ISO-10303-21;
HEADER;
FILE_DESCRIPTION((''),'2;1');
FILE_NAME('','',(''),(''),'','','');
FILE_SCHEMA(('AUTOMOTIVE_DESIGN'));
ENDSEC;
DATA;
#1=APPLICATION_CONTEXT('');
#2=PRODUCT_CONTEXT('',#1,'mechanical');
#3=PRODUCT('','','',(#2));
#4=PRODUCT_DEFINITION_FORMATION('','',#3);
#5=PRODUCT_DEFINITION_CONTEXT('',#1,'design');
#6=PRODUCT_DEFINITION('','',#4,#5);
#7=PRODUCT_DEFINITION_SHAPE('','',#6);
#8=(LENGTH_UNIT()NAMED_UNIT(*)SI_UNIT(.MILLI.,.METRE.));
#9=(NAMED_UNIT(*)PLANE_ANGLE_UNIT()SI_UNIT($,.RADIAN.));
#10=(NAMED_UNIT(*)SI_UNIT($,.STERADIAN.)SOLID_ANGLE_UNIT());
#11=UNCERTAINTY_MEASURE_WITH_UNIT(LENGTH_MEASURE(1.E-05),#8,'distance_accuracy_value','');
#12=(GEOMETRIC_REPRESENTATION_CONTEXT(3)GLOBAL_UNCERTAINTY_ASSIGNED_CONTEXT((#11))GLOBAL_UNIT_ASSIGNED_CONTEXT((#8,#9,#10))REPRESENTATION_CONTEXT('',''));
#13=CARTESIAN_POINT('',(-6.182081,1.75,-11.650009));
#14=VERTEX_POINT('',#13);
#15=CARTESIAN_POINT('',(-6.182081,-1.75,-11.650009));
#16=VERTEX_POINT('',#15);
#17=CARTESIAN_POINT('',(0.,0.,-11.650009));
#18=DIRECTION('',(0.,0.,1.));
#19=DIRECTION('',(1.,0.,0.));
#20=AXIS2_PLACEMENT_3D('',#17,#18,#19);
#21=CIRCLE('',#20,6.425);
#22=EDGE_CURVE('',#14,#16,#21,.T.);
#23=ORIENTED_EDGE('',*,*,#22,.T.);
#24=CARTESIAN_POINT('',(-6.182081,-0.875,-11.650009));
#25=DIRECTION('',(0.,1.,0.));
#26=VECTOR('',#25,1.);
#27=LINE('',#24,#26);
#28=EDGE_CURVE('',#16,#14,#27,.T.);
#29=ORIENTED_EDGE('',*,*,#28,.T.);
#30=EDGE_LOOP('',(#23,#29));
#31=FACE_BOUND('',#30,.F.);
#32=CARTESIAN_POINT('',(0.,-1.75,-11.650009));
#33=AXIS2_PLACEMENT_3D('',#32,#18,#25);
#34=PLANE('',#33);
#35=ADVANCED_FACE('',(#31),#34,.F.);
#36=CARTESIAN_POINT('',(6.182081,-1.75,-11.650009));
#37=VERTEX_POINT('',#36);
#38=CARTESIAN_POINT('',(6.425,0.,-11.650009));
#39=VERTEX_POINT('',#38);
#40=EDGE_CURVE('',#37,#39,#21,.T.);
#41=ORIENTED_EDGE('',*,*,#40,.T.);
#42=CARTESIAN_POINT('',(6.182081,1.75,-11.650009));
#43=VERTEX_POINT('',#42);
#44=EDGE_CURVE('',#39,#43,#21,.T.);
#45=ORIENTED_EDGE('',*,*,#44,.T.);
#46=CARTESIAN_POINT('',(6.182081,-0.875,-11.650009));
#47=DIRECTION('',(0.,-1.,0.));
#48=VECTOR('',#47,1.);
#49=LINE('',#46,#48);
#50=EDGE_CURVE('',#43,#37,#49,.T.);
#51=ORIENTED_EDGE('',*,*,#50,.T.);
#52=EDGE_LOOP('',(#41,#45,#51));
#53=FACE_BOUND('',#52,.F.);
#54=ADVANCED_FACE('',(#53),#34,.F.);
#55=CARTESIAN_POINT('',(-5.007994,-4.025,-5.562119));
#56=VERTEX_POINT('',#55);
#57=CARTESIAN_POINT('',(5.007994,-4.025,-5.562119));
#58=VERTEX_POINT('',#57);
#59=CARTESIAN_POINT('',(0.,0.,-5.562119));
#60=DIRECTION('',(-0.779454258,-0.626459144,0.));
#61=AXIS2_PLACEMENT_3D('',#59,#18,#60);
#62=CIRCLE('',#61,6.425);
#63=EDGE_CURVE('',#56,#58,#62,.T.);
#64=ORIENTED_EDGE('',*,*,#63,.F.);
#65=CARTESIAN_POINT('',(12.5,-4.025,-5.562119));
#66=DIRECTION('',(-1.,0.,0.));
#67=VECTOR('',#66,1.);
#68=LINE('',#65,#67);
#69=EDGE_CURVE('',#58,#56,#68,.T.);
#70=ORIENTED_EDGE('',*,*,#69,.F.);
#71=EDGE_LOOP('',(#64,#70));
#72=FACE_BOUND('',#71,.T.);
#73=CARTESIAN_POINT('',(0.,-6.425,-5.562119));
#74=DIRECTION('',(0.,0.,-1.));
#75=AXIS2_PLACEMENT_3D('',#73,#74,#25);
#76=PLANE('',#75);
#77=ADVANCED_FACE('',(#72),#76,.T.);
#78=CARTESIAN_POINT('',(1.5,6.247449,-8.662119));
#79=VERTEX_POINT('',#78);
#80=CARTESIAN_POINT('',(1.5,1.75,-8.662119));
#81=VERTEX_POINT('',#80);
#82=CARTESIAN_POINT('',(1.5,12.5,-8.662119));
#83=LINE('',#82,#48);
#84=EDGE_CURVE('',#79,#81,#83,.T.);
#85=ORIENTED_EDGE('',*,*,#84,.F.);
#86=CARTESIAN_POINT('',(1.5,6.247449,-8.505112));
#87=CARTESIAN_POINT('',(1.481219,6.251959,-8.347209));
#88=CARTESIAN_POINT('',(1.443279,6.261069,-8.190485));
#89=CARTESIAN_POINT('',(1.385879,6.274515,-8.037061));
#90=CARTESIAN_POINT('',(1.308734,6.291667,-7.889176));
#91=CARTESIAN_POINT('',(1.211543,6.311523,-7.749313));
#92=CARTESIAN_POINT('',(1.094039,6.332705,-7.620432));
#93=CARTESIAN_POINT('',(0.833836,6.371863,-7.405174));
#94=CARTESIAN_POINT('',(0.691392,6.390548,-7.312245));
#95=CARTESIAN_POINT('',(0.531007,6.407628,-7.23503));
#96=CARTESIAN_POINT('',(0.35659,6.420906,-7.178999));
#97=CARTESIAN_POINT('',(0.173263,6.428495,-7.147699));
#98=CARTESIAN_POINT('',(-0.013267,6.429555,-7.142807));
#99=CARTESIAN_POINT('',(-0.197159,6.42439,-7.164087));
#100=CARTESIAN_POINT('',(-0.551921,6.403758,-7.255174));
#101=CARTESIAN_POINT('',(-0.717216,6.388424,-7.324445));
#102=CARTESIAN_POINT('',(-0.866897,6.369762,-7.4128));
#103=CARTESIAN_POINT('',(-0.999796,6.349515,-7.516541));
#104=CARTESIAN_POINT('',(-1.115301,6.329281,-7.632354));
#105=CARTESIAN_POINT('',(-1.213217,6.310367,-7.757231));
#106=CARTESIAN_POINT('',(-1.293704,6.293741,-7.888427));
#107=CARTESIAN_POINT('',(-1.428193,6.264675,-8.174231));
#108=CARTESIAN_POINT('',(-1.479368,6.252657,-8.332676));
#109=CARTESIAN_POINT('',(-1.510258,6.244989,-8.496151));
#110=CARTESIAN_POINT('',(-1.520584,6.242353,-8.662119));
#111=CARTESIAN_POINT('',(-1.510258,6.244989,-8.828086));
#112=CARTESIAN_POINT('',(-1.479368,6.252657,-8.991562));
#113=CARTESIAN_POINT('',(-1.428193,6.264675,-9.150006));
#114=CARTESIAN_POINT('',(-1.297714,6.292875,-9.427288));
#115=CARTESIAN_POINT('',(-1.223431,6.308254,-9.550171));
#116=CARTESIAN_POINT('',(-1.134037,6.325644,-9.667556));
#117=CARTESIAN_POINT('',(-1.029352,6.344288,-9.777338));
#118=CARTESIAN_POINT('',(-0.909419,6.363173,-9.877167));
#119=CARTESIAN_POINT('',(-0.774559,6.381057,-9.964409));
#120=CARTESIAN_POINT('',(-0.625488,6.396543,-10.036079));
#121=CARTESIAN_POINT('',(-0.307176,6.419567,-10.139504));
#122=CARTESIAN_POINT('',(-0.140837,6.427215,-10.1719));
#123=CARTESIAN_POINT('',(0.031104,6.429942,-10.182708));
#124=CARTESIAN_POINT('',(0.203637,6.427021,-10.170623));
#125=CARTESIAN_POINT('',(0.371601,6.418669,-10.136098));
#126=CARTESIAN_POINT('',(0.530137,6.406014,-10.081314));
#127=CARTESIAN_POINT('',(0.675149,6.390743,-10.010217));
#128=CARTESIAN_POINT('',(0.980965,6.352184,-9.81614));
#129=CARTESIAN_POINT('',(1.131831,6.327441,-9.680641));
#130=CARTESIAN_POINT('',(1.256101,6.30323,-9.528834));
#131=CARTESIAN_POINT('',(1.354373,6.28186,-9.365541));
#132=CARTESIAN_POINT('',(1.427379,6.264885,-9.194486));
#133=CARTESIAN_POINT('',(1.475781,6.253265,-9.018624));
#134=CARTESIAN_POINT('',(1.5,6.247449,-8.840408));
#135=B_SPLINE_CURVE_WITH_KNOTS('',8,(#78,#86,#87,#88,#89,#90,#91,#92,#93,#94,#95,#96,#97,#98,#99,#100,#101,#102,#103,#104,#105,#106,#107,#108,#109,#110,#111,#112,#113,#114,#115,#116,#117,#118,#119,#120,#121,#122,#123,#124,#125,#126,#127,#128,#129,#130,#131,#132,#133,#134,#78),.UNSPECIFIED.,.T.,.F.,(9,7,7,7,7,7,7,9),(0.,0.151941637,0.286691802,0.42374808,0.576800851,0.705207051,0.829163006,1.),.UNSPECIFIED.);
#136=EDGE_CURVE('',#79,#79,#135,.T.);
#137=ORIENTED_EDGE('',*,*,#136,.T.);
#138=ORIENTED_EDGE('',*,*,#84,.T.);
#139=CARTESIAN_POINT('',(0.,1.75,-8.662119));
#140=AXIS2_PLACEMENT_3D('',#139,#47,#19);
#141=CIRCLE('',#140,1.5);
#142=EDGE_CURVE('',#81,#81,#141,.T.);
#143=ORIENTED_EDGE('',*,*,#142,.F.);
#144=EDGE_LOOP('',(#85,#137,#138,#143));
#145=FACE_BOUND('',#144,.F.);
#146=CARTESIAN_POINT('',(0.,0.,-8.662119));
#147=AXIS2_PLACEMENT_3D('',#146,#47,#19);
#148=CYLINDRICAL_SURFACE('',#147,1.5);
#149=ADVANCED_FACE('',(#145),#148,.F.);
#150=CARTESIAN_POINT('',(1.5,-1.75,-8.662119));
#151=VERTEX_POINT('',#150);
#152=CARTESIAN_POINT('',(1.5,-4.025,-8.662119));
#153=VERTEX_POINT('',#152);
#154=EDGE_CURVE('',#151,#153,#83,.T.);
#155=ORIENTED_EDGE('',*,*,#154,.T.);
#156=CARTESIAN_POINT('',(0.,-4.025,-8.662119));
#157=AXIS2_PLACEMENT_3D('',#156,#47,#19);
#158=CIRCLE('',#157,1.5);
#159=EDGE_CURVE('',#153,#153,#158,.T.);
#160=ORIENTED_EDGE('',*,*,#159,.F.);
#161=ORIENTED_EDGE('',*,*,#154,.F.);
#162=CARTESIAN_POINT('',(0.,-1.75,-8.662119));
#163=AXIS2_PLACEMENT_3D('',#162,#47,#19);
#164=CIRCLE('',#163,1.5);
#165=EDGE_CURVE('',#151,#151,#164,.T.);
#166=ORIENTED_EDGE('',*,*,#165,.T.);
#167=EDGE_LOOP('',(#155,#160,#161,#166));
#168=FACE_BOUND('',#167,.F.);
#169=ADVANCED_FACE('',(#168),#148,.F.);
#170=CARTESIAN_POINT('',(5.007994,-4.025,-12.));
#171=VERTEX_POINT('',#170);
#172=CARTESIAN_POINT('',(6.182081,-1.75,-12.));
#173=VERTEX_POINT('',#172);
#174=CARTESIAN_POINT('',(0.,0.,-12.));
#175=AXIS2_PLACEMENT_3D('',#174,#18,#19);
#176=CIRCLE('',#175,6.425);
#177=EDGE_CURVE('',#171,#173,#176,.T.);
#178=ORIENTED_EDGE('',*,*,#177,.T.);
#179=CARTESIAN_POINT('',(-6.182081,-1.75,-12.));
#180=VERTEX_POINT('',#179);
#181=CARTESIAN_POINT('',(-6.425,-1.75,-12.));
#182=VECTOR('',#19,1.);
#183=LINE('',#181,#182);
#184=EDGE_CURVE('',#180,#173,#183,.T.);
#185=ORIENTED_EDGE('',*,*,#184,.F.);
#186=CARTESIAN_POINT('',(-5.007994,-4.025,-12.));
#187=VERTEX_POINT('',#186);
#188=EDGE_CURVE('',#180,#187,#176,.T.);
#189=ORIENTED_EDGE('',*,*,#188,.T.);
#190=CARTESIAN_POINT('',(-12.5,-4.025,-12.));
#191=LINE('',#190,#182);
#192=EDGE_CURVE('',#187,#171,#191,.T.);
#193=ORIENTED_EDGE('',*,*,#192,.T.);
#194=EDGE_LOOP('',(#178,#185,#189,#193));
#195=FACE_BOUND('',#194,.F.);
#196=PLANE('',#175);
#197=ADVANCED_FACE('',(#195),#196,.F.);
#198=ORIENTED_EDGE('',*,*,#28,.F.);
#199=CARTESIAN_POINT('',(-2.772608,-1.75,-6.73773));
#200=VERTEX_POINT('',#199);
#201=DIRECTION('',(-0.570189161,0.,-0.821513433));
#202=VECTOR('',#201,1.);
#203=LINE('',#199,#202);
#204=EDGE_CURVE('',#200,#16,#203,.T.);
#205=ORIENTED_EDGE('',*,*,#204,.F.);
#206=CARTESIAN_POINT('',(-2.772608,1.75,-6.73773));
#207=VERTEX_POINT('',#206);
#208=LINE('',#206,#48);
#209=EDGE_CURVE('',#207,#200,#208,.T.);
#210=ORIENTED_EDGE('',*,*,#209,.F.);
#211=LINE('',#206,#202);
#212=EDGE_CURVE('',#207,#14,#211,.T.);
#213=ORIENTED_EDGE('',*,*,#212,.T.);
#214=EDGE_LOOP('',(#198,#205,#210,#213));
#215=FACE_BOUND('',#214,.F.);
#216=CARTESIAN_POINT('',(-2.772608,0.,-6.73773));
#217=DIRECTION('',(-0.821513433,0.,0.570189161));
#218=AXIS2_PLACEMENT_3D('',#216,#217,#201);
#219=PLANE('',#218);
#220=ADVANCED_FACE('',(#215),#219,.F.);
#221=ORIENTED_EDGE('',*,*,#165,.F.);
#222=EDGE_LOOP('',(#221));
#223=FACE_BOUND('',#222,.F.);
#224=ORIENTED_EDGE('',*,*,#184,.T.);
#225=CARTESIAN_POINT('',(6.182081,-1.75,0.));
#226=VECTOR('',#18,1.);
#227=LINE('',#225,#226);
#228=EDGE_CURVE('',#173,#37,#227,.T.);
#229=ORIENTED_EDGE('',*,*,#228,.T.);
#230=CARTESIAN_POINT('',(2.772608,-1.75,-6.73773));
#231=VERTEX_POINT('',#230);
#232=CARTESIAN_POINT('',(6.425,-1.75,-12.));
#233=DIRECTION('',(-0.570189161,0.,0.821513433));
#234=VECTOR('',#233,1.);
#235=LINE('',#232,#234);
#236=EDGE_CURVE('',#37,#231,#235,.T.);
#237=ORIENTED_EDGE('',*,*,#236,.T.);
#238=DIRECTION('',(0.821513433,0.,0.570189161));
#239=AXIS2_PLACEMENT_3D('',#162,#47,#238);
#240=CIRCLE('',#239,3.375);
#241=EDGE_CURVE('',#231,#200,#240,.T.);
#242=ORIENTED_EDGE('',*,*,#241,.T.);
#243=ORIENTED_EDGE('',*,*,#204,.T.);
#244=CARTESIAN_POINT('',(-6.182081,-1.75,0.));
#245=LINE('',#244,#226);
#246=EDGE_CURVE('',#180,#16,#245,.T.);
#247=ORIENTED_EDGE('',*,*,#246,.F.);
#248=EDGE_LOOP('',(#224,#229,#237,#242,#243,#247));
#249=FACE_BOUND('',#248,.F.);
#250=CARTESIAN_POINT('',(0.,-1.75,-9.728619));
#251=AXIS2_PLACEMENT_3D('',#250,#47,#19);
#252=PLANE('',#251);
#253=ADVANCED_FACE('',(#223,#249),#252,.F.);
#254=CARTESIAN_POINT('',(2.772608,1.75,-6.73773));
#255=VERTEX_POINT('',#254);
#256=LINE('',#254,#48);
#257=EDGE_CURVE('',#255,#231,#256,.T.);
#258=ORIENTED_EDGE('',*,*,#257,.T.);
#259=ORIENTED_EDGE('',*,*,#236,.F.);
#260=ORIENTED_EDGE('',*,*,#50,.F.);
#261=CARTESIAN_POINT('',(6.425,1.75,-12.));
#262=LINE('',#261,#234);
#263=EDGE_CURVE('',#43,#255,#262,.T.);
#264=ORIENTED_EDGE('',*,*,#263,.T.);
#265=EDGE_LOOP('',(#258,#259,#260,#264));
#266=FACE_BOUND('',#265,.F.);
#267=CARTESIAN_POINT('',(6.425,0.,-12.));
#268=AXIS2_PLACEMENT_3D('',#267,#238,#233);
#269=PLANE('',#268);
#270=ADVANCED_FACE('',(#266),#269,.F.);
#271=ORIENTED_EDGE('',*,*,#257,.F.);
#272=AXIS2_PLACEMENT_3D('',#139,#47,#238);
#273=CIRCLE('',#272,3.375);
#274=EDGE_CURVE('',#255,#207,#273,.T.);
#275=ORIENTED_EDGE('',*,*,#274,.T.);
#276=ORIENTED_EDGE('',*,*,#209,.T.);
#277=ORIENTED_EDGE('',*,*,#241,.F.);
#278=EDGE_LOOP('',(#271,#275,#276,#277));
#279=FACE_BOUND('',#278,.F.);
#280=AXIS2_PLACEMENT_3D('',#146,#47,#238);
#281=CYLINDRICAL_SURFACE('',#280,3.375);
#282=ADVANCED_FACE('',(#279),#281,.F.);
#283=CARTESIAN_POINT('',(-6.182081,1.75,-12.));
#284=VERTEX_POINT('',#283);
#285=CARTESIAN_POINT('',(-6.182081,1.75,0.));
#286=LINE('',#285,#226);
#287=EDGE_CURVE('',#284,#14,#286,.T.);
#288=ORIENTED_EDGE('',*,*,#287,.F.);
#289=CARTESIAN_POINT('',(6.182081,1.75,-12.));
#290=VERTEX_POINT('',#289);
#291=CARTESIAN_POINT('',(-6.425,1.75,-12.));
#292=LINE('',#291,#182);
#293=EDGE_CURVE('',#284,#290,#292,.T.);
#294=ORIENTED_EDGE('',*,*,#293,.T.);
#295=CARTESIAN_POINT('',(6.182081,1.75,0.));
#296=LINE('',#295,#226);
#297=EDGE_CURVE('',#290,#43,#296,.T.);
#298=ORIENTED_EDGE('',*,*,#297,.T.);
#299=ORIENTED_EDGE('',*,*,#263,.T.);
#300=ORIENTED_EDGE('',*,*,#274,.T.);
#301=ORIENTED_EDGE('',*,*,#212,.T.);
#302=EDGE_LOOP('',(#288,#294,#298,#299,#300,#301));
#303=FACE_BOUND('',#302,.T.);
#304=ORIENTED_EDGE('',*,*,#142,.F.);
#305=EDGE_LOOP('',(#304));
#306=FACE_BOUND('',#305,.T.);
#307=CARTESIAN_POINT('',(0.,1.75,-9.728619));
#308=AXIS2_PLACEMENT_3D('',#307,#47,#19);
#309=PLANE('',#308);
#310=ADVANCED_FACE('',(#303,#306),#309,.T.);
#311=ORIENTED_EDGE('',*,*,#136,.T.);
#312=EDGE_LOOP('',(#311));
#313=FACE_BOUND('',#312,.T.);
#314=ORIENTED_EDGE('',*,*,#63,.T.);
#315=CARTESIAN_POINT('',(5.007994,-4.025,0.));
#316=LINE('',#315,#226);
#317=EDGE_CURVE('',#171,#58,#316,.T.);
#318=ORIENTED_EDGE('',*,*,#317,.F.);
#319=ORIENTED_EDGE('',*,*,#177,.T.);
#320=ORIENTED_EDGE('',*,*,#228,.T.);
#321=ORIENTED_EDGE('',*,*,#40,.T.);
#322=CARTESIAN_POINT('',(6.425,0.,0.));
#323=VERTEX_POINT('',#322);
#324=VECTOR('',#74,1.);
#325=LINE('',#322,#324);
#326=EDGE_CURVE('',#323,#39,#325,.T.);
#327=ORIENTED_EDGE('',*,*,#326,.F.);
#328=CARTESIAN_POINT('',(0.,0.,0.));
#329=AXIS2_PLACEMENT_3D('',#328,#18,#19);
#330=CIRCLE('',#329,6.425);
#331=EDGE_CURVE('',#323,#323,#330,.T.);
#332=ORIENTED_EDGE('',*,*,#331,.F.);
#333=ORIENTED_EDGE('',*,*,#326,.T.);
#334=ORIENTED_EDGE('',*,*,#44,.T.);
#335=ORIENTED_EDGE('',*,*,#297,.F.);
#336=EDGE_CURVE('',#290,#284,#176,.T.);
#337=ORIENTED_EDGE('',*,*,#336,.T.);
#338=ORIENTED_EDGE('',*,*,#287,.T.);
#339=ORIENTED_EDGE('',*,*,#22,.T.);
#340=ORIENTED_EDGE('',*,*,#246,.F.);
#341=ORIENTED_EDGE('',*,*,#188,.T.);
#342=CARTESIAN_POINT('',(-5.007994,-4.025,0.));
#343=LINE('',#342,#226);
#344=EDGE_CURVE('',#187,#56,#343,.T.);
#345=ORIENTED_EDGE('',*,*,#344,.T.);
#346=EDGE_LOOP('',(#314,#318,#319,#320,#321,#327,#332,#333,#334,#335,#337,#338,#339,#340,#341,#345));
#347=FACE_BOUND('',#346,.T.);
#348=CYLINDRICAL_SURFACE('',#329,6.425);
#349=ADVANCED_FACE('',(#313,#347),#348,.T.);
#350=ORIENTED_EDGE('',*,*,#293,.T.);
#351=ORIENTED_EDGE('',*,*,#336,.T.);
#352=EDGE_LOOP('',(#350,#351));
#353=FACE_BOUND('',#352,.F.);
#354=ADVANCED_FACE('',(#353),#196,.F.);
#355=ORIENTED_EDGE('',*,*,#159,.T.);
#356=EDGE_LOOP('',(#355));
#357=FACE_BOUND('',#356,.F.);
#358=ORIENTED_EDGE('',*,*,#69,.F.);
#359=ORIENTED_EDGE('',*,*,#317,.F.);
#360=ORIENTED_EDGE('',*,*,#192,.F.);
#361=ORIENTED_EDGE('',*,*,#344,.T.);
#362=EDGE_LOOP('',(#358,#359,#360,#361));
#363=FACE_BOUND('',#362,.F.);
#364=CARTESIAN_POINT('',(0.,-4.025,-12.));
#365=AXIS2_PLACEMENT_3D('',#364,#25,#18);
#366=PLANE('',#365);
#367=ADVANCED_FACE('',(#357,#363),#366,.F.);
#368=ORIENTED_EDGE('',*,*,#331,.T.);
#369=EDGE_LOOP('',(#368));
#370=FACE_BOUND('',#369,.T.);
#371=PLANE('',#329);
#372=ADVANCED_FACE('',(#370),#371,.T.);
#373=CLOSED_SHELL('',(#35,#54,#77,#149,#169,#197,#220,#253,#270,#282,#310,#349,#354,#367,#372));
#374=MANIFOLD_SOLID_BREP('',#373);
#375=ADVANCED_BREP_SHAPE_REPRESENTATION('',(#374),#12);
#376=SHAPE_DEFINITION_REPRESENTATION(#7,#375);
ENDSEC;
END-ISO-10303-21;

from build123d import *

# Parameters (mm, degrees)
F0_R     = 6.425
F1_DEPTH = 12
F2_R     = 1.5
F3_DEPTH = 12.5
F5_DEPTH = 1.75
F6_W     = 3.5
F6_H     = 0.3499913151
F6_W_2   = 2.4
F6_H_2   = 1.6
F6_H_3   = 3
F6_H_4   = 1.8378814235
F7_DEPTH = 12.5


with BuildPart() as f1:
    # F0 (on Top) → F1 (new body)
    with BuildSketch(Plane.XY):
        Circle(F0_R)
    extrude(amount=-F1_DEPTH)

    # F2 (on Front) → F3 (cut, symmetric)
    with BuildSketch(Plane.XZ):
        with Locations((0, -8.6621185765)):
            Circle(F2_R)
    extrude(amount=F3_DEPTH, both=True, mode=Mode.SUBTRACT)

    # F4 (on Front) → F5 (cut, symmetric)
    with BuildSketch(Plane.XZ):
        with BuildLine():
            Line((6.425, -12), (2.7726078369, -6.7377301586))
            ThreePointArc((2.7726078369, -6.7377301586), (0, -5.2871185765), (-2.7726078369, -6.7377301586))
            Line((-2.7726078369, -6.7377301586), (-6.425, -12))
            Line((-6.425, -12), (6.425, -12))
        make_face()
    extrude(amount=F5_DEPTH, both=True, mode=Mode.SUBTRACT)

    # F6 (on Right) → F7 (cut, symmetric)
    with BuildSketch(Plane.YZ):
        with Locations((0, -11.8250043425)):
            Rectangle(F6_W, F6_H)
        with Locations((-5.225, -6.3621185765)):
            Rectangle(F6_W_2, F6_H_2)
        with Locations((-5.225, -8.6621185765)):
            Rectangle(F6_W_2, F6_H_3)
        with Locations((-5.225, -11.0810592882)):
            Rectangle(F6_W_2, F6_H_4)
    extrude(amount=F7_DEPTH, both=True, mode=Mode.SUBTRACT)


solid = f1.part
